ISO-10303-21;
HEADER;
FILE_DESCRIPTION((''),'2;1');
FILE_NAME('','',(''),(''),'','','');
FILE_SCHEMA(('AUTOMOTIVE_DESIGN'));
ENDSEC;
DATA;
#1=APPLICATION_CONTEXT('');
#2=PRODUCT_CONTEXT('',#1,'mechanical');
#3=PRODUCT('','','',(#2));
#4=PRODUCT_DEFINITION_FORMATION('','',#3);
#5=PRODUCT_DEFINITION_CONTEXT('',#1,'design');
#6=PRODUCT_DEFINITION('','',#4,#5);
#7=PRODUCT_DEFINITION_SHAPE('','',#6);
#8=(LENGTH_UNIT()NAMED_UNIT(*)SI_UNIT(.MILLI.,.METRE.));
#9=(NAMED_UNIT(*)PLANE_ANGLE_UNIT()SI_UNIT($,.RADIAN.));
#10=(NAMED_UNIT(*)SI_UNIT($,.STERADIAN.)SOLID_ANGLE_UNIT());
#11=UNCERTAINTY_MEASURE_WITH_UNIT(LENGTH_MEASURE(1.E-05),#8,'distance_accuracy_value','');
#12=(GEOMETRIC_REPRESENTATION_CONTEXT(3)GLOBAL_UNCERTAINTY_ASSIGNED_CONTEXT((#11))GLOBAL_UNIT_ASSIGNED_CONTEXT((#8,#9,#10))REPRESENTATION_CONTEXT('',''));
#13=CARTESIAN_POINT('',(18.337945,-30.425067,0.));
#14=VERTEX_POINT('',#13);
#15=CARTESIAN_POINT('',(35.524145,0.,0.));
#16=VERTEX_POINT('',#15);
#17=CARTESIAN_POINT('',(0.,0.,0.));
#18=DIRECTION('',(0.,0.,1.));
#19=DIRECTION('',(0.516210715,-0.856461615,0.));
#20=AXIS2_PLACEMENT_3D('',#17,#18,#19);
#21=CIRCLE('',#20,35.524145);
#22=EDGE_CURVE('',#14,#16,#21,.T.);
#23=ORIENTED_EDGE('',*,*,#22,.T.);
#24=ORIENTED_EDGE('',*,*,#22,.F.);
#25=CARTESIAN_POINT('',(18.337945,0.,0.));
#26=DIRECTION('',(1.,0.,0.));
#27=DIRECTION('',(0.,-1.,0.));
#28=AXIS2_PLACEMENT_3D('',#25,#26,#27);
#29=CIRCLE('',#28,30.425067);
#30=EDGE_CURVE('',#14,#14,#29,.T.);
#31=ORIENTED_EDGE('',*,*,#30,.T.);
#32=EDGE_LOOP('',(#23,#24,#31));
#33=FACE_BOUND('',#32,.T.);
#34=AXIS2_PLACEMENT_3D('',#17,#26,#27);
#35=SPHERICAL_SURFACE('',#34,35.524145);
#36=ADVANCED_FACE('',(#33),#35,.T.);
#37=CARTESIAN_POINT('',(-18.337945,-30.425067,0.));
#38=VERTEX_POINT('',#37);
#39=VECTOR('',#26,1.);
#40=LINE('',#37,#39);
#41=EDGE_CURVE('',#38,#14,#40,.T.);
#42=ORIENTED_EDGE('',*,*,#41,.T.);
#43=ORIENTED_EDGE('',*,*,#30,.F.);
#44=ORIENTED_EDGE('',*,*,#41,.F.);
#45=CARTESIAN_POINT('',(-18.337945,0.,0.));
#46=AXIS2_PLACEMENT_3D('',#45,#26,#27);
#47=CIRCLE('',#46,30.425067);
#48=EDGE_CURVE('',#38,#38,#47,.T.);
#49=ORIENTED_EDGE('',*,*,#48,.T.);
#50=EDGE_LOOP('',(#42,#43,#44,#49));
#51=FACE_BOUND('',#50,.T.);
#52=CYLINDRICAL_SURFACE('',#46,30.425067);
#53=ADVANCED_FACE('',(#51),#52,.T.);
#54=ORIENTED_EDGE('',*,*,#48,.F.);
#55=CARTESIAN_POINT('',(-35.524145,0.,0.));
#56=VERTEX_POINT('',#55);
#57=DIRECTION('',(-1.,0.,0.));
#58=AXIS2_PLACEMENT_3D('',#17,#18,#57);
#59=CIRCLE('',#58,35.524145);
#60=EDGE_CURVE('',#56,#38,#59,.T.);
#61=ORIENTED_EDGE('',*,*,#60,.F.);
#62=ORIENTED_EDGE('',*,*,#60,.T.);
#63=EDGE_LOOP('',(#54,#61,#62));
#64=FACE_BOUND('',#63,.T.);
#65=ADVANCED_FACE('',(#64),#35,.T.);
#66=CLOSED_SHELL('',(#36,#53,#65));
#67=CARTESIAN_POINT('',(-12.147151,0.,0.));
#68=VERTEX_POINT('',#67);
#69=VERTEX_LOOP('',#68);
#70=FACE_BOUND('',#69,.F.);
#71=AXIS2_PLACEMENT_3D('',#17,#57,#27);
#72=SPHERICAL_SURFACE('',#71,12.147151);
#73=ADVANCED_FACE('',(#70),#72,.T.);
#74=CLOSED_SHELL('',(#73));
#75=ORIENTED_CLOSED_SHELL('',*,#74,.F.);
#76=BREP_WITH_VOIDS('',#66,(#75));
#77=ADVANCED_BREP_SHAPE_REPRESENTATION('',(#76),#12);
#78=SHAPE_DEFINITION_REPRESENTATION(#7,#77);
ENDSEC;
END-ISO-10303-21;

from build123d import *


with BuildPart() as f1:
    # F0 (on Top) → F1 (revolve)
    with BuildSketch(Plane.XY):
        with BuildLine():
            ThreePointArc((18.3379445225, -30.4250669698), (30.9306055369, -17.4717643799), (35.5241454426, 0))
            Line((35.5241454426, 0), (12.1471510988, 0))
            ThreePointArc((12.1471510988, 0), (0, -12.1471510988), (-12.1471510988, 0))
            Line((-12.1471510988, 0), (-34.6931413752, 0))
            Line((-34.6931413752, 0), (-35.5241454426, 0))
            ThreePointArc((-35.5241454426, 0), (-30.9306055369, -17.4717643799), (-18.3379445225, -30.4250669698))
            Line((-18.3379445225, -30.4250669698), (18.3379445225, -30.4250669698))
        make_face()
    revolve(axis=Axis((0, 0, 0), (1, 0, 0)))


solid = f1.part
